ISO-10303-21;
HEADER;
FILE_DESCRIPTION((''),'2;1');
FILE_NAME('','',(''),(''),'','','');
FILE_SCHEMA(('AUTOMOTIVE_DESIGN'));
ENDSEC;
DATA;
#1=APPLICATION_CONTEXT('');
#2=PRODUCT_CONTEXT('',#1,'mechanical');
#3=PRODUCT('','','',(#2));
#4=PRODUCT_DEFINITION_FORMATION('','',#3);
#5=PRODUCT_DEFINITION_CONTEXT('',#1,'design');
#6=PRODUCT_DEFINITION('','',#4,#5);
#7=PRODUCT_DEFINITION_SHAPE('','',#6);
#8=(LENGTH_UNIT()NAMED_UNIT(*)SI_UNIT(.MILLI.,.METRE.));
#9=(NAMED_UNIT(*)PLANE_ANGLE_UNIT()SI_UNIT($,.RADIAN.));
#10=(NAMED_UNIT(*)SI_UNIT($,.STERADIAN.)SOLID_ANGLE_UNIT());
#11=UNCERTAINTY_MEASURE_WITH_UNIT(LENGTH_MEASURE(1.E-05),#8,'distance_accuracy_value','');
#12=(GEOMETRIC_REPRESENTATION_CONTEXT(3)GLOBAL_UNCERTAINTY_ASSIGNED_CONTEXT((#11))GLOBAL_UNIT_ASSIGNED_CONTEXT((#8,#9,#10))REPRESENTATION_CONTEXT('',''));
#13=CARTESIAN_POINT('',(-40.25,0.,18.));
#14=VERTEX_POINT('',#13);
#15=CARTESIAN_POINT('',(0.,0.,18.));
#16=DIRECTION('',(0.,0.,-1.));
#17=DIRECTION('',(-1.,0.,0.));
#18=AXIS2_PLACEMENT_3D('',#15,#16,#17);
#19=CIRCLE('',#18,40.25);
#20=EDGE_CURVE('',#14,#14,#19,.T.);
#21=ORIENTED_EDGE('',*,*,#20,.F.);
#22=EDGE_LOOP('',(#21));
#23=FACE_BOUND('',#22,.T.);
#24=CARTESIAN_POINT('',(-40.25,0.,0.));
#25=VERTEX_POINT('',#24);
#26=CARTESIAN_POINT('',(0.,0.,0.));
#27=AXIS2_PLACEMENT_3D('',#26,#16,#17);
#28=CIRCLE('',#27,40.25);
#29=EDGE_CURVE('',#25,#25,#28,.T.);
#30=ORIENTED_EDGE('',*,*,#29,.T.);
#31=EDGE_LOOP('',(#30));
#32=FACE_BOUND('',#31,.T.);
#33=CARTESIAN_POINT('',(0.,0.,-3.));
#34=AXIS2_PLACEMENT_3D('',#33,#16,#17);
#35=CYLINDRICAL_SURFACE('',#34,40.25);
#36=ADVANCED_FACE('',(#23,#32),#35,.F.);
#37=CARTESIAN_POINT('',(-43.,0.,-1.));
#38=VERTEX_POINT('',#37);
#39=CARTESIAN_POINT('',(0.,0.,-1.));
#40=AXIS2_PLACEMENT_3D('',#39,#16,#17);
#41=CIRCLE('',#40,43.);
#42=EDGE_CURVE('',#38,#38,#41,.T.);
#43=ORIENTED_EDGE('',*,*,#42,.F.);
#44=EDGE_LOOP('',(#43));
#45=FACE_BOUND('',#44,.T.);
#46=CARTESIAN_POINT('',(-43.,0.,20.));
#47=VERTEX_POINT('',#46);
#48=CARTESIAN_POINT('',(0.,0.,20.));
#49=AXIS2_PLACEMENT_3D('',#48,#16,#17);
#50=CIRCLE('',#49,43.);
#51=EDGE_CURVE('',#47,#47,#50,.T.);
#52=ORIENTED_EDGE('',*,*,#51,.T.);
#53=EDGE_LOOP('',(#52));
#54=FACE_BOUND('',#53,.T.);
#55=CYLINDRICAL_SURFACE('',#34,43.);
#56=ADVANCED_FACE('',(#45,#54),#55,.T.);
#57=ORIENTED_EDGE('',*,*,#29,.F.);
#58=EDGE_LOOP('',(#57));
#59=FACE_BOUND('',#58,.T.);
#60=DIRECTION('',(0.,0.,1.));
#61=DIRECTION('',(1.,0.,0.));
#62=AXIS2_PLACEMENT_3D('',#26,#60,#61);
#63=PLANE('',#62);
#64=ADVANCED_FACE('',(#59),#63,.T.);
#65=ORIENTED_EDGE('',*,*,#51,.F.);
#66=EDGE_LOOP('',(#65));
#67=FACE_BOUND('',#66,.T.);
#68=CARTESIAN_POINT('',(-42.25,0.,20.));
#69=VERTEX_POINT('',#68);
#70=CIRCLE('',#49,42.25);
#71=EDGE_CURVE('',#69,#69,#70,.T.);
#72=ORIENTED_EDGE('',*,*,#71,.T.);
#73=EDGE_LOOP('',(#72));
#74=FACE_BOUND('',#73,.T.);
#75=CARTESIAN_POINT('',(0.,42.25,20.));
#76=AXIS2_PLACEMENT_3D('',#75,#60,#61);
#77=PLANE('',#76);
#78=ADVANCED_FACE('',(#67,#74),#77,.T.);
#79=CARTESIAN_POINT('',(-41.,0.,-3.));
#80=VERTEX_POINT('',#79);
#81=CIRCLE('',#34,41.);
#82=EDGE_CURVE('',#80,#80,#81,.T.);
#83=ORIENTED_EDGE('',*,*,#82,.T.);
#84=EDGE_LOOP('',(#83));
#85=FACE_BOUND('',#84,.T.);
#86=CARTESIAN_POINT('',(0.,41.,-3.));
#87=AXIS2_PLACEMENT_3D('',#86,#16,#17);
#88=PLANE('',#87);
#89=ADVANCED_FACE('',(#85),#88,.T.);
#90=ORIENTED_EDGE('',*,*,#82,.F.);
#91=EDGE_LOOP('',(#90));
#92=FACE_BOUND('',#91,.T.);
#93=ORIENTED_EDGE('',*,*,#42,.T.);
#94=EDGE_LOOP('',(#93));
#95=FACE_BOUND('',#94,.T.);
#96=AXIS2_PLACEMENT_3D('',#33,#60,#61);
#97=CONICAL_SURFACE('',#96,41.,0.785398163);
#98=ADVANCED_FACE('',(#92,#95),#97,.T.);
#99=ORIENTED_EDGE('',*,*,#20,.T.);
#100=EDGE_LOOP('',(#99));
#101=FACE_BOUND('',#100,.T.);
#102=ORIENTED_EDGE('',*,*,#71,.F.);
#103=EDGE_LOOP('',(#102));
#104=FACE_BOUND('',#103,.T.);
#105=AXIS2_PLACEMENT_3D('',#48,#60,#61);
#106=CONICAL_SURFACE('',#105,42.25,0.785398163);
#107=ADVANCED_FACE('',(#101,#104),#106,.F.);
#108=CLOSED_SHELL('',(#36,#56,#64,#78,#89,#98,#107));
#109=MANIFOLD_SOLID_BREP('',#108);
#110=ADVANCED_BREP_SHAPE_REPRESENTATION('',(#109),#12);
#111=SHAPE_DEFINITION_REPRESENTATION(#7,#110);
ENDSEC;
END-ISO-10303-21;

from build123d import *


with BuildPart() as part:
    # Esquisse1 → Révolution1 (revolve)
    with BuildSketch(Plane(origin=(0, 0, 0), x_dir=(0, 0, -1), z_dir=(1, 0, 0)), mode=Mode.PRIVATE) as r_volution1_sk:
        Polygon((0, 0), (0, 40.25), (-18, 40.25), (-20, 42.25), (-20, 43), (1, 43), (3, 41), (3, 0), align=None)
    revolve(r_volution1_sk.sketch.rotate(Axis((0, 0, -3), (0, 0, 1)), 90), axis=Axis((0, 0, -3), (0, 0, 1)))  # turned: the seam where the file's is


solid = part.part
